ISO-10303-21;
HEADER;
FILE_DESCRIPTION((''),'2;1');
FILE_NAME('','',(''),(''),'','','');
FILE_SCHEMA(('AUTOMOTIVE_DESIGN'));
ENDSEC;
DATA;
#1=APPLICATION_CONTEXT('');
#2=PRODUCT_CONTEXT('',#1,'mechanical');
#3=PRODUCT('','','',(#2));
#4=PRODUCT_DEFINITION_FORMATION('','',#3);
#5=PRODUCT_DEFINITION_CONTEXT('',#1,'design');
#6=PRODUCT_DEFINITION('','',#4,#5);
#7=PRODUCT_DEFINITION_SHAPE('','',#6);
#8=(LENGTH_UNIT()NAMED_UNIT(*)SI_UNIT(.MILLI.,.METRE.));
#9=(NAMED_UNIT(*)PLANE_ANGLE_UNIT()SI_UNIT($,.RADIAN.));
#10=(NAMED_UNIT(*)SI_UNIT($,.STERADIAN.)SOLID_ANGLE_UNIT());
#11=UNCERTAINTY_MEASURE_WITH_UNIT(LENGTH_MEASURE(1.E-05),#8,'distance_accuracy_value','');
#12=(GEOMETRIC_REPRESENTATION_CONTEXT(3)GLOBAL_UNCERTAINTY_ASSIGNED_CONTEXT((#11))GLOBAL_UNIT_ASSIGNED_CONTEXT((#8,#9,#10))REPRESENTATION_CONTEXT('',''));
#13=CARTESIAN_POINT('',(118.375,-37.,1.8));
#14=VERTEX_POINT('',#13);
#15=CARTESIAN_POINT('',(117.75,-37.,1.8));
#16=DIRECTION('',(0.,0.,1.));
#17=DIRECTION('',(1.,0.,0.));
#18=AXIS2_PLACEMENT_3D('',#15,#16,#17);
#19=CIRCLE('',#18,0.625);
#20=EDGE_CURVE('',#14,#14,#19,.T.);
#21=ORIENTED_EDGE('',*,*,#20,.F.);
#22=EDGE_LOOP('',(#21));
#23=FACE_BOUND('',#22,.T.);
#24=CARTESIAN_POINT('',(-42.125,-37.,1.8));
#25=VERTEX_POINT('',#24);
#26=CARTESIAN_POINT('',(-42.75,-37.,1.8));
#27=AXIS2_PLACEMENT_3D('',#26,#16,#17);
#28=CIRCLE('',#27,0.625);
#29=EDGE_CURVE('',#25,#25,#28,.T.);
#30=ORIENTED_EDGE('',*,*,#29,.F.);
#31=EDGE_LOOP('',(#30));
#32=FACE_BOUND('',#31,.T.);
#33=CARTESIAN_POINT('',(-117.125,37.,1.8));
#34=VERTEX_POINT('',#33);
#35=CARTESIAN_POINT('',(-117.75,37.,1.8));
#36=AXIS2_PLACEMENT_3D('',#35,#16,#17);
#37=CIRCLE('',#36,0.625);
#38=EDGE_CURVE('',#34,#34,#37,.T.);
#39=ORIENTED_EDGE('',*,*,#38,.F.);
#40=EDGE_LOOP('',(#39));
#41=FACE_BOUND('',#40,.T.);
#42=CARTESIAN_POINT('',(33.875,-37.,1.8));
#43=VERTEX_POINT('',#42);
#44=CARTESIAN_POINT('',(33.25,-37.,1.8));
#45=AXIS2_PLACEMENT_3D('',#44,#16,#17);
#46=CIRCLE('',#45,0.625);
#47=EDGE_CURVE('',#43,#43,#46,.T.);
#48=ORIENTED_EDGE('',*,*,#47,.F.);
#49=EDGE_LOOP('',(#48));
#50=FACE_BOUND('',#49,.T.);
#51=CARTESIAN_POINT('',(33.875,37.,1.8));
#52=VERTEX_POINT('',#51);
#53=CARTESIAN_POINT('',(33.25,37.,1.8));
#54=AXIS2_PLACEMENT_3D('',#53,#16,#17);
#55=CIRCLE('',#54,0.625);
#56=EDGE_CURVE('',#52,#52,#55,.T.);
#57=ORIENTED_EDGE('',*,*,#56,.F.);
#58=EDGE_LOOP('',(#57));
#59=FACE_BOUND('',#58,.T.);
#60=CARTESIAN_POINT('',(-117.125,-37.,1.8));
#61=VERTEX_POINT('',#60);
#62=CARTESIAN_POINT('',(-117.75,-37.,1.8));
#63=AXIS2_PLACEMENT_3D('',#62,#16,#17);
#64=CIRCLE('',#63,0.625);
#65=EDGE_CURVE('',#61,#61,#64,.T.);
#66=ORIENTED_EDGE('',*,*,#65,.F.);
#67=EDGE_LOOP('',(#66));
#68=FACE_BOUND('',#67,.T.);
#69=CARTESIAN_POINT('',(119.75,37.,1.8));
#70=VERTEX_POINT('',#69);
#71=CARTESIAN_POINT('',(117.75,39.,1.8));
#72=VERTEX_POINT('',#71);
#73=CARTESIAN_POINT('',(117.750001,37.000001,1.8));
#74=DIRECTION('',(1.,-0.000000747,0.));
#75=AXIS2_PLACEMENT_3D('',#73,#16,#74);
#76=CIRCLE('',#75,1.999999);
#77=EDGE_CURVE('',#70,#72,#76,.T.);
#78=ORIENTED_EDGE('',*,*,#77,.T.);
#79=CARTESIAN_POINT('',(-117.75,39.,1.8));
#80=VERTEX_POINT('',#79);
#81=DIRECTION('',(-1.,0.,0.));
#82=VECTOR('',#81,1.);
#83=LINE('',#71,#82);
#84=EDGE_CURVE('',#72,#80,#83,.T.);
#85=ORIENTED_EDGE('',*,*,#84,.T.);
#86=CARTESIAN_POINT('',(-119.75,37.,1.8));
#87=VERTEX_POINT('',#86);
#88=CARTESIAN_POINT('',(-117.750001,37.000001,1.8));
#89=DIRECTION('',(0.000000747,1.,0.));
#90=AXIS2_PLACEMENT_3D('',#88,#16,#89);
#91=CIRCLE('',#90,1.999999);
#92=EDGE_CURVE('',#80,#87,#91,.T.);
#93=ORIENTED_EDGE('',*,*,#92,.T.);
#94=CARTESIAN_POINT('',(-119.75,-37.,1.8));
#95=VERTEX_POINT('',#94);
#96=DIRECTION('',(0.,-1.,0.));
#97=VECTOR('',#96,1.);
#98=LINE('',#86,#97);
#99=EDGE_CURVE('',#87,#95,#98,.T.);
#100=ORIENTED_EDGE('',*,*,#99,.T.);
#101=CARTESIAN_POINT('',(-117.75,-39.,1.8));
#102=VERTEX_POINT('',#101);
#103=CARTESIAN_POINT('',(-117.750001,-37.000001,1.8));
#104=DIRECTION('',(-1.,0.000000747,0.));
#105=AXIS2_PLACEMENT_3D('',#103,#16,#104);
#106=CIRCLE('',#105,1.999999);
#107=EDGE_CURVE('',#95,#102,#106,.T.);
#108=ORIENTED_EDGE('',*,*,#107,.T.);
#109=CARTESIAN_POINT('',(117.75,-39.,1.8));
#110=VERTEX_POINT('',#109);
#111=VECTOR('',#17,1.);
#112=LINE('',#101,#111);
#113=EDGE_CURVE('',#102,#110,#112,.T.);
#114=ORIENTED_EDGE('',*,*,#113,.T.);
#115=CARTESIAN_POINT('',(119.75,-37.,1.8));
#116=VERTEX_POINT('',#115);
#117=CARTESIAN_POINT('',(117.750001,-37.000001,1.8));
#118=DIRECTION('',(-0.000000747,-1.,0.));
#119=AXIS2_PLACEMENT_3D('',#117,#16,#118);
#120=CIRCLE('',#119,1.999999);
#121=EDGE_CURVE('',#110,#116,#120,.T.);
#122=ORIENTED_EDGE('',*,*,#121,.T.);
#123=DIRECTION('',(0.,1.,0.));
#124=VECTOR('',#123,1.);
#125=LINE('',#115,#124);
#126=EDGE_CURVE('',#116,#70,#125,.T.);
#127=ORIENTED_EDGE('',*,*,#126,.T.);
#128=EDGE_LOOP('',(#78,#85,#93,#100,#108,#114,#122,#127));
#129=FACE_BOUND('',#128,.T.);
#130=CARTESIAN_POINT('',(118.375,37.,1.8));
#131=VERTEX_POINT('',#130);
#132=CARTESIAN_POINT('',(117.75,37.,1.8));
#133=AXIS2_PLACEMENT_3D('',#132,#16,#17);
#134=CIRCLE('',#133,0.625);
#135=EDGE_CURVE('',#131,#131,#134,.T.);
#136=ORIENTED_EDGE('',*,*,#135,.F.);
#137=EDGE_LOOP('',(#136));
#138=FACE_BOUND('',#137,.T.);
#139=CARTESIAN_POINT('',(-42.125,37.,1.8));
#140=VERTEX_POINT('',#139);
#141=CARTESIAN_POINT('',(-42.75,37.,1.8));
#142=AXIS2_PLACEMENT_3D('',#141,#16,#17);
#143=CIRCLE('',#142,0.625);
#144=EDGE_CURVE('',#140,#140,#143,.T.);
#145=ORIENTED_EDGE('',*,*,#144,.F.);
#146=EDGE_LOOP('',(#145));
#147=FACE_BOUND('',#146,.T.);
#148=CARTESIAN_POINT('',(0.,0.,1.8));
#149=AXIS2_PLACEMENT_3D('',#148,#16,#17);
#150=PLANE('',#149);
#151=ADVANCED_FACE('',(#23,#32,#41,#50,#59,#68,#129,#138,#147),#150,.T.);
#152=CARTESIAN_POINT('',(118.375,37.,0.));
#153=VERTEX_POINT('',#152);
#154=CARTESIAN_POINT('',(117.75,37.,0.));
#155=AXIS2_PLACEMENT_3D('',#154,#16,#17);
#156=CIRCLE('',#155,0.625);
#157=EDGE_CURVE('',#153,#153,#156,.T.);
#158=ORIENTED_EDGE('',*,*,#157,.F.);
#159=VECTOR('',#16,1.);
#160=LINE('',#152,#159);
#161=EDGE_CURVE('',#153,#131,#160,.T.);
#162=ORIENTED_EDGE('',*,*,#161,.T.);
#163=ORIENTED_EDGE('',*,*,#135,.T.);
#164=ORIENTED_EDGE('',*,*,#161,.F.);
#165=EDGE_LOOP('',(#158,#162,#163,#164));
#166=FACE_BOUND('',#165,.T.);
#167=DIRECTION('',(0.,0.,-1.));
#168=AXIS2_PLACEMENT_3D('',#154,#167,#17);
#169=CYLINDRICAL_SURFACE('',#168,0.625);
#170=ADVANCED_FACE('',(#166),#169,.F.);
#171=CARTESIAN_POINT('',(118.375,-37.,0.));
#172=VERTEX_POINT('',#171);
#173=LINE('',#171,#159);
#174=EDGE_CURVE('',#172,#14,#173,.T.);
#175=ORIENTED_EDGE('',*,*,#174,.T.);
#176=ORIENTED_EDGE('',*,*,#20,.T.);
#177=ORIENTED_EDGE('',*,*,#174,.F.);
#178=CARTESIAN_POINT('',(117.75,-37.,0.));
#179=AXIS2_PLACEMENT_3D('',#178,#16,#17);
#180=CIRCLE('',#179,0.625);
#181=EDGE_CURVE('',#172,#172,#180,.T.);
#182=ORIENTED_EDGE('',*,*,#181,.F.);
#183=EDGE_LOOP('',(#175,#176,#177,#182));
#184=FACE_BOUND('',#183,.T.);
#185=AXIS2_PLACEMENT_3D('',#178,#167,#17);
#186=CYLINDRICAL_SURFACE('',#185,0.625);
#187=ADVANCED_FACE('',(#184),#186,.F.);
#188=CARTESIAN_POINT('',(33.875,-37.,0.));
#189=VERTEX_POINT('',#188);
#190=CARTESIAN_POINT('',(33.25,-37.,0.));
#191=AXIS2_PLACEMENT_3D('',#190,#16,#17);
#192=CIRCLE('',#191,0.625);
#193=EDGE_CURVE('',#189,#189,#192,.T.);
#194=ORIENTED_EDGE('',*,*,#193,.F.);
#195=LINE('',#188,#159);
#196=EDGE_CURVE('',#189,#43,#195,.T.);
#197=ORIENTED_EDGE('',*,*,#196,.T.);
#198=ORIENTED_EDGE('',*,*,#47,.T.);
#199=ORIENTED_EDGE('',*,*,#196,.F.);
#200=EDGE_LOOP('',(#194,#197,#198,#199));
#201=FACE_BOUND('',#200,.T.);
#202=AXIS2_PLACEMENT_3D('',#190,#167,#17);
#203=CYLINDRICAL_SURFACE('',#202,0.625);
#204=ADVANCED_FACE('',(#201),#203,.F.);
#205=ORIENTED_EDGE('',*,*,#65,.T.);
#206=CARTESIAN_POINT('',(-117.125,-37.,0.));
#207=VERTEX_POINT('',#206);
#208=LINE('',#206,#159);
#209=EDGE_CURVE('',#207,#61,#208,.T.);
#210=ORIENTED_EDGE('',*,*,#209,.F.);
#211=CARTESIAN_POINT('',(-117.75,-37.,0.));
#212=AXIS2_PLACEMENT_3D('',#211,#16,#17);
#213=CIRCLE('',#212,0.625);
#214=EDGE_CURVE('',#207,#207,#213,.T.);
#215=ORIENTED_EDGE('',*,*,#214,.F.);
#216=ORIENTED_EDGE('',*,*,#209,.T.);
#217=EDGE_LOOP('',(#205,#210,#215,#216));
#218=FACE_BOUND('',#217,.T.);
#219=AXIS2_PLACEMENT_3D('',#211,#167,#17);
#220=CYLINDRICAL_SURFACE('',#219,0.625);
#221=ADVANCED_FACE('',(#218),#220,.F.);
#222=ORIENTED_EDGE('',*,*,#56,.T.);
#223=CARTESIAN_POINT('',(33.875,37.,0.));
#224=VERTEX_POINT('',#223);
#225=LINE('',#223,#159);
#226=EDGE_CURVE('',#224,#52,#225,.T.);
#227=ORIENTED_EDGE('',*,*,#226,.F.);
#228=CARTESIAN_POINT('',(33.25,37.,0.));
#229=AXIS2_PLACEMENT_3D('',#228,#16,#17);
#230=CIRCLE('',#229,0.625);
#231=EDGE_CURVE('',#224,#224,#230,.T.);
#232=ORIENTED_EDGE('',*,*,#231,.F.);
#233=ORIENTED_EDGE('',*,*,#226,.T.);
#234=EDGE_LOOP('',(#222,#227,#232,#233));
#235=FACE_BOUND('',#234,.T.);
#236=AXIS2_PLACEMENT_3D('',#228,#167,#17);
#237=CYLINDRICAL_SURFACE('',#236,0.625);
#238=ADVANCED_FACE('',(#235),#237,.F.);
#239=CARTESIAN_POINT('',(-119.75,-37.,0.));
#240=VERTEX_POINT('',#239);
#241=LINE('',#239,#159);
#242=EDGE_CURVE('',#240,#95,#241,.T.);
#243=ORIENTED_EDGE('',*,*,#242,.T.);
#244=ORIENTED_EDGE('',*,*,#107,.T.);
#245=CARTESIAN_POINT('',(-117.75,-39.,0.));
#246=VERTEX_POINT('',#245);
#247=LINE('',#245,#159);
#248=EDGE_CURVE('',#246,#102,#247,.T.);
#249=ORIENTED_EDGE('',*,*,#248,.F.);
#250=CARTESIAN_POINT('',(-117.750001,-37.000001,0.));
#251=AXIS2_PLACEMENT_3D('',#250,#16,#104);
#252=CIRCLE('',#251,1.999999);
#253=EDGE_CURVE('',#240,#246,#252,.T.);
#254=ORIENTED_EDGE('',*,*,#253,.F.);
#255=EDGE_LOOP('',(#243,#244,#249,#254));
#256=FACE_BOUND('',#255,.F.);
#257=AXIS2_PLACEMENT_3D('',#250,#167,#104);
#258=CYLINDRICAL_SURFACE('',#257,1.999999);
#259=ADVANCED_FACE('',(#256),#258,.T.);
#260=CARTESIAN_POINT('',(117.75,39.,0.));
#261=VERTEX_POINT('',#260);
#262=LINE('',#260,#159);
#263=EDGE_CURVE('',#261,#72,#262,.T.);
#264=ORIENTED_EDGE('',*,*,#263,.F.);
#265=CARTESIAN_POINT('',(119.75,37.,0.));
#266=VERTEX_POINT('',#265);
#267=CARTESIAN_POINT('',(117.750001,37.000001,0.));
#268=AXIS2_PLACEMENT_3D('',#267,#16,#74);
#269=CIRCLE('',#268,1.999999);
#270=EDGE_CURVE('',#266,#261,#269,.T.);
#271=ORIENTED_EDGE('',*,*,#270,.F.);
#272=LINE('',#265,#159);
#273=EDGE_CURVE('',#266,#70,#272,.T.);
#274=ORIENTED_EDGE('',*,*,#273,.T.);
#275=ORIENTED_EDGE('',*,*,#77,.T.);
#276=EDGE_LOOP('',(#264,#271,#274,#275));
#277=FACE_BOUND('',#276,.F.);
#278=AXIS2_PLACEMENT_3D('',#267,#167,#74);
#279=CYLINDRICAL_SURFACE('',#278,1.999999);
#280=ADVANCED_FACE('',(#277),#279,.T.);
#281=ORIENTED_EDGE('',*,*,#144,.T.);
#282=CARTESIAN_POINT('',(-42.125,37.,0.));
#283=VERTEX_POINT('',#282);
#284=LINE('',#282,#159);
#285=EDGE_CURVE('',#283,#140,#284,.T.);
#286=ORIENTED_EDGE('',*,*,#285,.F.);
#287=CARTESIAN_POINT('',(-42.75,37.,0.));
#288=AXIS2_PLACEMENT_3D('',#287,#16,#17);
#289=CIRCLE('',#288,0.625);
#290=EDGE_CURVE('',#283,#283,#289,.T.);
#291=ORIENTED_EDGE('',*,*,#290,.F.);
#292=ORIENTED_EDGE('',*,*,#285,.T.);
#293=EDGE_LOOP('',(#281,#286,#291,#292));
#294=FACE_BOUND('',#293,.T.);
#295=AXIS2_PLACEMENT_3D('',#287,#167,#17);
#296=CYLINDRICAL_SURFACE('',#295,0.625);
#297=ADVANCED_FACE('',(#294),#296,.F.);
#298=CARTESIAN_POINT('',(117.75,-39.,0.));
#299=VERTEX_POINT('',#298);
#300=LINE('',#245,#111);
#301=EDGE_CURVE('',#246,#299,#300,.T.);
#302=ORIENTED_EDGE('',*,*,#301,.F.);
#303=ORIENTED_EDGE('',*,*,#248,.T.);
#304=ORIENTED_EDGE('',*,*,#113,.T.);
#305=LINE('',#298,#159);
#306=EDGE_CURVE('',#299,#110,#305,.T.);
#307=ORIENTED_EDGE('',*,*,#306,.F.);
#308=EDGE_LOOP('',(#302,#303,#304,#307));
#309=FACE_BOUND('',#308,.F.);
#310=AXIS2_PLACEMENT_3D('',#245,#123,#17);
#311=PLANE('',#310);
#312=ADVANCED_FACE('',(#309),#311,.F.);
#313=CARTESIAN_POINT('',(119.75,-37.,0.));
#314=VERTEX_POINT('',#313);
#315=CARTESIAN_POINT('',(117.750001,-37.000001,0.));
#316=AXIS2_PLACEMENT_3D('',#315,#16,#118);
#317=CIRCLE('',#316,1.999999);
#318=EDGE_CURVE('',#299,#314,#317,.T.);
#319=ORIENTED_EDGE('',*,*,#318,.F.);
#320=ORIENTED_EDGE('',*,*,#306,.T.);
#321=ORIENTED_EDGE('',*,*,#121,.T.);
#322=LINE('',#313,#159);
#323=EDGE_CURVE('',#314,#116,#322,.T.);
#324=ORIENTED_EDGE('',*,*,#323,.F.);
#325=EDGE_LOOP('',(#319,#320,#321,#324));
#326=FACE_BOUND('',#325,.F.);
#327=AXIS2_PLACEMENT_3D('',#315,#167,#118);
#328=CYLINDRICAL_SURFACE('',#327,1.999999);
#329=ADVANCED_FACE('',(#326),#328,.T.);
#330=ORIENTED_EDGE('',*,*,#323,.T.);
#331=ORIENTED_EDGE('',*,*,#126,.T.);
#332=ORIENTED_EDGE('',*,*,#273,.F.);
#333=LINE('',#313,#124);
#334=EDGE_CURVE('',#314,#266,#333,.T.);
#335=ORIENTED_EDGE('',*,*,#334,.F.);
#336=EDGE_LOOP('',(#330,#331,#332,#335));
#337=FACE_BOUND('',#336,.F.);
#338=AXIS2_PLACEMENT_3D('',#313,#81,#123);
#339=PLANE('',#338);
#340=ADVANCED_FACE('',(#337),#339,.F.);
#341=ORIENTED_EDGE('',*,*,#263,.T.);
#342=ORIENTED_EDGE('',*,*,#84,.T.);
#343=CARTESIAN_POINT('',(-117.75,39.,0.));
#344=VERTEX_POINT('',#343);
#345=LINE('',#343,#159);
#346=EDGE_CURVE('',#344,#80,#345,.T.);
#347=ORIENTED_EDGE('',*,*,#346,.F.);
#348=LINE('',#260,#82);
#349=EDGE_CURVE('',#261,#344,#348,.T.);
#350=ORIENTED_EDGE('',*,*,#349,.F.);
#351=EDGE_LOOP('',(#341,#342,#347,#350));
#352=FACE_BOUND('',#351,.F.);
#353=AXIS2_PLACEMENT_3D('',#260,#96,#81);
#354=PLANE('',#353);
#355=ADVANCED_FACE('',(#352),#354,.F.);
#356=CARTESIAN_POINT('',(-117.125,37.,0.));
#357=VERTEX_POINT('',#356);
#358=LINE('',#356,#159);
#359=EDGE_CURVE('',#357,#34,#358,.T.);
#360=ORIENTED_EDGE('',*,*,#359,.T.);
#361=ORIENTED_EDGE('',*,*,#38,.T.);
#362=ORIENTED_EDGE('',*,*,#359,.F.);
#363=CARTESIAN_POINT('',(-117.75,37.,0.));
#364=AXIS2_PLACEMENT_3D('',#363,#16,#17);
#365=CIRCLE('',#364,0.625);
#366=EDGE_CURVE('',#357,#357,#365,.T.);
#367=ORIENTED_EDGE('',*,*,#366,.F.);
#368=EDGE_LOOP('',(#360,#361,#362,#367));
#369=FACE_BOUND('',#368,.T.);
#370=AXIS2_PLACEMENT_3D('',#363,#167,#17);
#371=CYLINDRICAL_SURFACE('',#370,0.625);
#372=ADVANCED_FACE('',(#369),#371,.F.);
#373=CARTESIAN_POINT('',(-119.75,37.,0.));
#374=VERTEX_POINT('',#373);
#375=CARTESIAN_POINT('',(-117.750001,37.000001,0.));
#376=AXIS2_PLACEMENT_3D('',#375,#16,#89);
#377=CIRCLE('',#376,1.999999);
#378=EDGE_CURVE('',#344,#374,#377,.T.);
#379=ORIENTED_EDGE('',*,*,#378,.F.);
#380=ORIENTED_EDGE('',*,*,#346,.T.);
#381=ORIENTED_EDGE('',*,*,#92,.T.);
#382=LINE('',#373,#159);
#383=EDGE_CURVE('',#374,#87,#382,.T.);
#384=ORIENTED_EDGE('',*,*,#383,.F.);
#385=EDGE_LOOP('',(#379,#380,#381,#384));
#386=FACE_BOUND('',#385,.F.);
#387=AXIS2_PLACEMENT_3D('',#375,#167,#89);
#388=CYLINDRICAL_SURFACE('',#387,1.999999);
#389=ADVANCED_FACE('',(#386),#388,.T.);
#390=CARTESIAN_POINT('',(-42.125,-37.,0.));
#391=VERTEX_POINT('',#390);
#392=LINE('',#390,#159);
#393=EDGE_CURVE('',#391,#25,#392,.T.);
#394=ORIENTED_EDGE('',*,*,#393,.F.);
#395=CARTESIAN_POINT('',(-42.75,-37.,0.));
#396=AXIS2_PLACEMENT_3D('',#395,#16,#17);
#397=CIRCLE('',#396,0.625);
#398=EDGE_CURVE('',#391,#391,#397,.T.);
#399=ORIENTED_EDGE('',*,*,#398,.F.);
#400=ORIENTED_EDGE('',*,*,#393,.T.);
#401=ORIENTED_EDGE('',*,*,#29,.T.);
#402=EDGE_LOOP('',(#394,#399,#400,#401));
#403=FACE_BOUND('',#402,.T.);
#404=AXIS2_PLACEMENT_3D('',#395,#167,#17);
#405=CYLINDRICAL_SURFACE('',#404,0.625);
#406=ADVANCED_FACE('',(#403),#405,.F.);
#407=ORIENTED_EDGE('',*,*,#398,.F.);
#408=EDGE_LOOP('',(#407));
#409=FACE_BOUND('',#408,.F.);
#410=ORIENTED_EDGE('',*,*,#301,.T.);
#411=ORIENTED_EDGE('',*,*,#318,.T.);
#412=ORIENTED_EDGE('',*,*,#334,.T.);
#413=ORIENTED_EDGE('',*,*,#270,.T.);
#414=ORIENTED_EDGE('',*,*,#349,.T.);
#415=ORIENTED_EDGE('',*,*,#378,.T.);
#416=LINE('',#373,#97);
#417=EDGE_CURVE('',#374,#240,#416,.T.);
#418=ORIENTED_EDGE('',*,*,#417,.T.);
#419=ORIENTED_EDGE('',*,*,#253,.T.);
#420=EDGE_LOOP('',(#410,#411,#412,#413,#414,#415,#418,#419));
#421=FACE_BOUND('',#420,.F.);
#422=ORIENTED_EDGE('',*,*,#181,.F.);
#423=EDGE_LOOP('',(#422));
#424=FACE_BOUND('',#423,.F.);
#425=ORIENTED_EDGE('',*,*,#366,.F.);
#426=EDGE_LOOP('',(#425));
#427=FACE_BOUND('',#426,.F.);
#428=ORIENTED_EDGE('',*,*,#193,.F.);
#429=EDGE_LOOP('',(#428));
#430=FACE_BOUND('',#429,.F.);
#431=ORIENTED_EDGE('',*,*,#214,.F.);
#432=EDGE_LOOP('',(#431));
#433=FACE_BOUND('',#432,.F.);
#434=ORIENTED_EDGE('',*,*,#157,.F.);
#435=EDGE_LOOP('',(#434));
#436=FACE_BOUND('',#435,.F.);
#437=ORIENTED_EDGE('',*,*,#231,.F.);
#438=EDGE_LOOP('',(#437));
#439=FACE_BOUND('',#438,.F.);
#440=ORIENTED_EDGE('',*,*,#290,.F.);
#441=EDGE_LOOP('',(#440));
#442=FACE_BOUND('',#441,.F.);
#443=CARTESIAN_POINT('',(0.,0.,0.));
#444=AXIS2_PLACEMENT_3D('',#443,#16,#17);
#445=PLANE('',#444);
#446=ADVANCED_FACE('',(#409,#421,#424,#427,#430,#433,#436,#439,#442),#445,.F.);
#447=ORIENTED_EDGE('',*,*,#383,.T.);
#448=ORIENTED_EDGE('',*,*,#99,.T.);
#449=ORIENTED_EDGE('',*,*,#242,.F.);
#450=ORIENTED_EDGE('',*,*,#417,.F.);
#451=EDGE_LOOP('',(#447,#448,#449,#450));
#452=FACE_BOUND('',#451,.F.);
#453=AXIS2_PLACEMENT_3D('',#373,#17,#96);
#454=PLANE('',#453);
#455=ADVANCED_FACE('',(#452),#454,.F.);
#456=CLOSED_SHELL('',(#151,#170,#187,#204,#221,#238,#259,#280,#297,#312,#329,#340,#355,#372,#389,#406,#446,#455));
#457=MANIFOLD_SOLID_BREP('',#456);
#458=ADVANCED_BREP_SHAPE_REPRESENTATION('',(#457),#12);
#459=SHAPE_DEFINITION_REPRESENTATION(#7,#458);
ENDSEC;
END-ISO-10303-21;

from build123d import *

# Parameters (mm, degrees)
SKETCH_R  = 0.625
PAD_DEPTH = 1.8


with BuildPart() as part:
    # Sketch → Pad (new body)
    with BuildSketch(Plane.XY):
        with BuildLine():
            Line((-119.75, 37), (-119.75, -37))
            ThreePointArc((-119.75, -37), (-119.164214, -38.414214), (-117.75, -39))
            Line((-117.75, -39), (117.75, -39))
            ThreePointArc((117.75, -39), (119.164214, -38.414214), (119.75, -37))
            Line((119.75, -37), (119.75, 37))
            ThreePointArc((119.75, 37), (119.164214, 38.414214), (117.75, 39))
            Line((117.75, 39), (-117.75, 39))
            ThreePointArc((-117.75, 39), (-119.164214, 38.414214), (-119.75, 37))
        make_face()
        with Locations((-117.75, 37)):
            Circle(SKETCH_R, mode=Mode.SUBTRACT)
        with Locations((117.75, 37)):
            Circle(SKETCH_R, mode=Mode.SUBTRACT)
        with Locations((117.75, -37)):
            Circle(SKETCH_R, mode=Mode.SUBTRACT)
        with Locations((-117.75, -37)):
            Circle(SKETCH_R, mode=Mode.SUBTRACT)
        with Locations((33.25, -37)):
            Circle(SKETCH_R, mode=Mode.SUBTRACT)
        with Locations((-42.75, -37)):
            Circle(SKETCH_R, mode=Mode.SUBTRACT)
        with Locations((33.25, 37)):
            Circle(SKETCH_R, mode=Mode.SUBTRACT)
        with Locations((-42.75, 37)):
            Circle(SKETCH_R, mode=Mode.SUBTRACT)
    extrude(amount=PAD_DEPTH)


solid = part.part
